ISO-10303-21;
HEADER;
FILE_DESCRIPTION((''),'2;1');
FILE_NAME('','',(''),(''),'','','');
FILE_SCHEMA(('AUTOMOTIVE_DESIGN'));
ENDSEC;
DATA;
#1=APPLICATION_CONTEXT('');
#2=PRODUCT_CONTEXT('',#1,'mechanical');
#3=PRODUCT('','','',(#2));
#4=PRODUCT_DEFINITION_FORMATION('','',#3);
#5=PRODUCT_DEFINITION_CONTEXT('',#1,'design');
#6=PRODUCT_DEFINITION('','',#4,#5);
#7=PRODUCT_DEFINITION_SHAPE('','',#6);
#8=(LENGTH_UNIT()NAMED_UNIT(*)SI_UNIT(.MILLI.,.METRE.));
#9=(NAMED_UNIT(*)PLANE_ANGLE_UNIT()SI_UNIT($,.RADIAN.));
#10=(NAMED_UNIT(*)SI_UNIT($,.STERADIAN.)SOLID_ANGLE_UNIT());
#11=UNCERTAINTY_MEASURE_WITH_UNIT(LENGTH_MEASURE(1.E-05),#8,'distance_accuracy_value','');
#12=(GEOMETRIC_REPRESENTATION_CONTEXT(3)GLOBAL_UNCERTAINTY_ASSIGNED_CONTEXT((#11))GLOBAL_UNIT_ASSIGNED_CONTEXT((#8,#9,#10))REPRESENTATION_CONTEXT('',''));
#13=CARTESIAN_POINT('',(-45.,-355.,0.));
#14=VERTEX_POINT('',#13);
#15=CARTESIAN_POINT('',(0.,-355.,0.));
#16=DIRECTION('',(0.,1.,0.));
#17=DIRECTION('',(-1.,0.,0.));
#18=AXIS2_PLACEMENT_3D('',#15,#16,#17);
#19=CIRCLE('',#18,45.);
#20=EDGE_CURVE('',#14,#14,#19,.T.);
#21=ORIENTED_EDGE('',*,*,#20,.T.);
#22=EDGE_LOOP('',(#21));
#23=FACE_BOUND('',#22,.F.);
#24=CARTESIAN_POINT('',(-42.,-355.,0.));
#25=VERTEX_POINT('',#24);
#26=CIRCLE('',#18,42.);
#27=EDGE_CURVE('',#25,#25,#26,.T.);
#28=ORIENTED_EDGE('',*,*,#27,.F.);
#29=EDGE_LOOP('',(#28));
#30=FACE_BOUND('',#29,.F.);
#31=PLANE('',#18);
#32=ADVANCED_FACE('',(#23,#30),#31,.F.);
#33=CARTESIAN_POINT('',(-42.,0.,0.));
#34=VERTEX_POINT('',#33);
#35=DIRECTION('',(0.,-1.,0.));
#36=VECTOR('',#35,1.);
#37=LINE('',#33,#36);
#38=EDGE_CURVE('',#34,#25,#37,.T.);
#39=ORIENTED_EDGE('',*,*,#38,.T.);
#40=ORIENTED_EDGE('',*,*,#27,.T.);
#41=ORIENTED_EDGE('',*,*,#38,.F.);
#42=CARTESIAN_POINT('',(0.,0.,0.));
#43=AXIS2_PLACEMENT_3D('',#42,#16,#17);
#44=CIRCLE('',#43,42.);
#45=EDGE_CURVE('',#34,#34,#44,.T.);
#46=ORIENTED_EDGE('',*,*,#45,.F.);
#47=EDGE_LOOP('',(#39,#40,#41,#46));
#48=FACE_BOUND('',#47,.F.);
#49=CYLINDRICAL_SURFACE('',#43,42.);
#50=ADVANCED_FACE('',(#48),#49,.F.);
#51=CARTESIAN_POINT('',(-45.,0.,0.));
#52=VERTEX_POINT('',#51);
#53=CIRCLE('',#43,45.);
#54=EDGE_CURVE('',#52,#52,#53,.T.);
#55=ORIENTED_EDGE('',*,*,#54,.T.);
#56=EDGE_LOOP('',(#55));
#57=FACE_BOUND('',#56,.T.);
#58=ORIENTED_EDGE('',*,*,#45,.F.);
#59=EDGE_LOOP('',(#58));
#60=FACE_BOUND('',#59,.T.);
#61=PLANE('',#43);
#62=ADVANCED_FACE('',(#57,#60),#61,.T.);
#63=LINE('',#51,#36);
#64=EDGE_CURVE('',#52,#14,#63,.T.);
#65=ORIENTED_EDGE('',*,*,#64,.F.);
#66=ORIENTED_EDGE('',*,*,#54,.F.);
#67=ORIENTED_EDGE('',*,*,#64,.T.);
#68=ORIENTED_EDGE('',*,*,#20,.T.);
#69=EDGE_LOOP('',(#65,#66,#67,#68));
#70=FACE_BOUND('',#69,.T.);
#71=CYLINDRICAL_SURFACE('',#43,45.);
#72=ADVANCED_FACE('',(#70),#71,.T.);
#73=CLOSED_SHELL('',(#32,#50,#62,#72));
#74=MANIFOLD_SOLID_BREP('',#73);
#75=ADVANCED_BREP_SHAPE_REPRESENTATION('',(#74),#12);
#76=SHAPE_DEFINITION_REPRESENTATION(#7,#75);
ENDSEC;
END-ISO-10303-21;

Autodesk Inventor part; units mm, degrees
ref_plane "YZ Plane" through (0, 0, 0) normal (1, 0, 0) x (0, 1, 0)
ref_plane "XZ Plane" through (0, 0, 0) normal (0, 1, 0) x (-1, 0, 0)
ref_plane "XY Plane" through (0, 0, 0) normal (0, 0, 1) x (1, 0, 0)
sketch "Sketch1" plane through (0, 0, 0) normal (0, 1, 0) x (-1, 0, 0)
  circle A0 centre (0, 0) radius 45
  circle A1 centre (0, 0) radius 42
  dimension "d0" = 90
  dimension "d1" = 3
extrude "Extrusion1" add sketch "Sketch1" against normal blind 355
properties part number "PNS 755 FDS tube" material "Steel"
